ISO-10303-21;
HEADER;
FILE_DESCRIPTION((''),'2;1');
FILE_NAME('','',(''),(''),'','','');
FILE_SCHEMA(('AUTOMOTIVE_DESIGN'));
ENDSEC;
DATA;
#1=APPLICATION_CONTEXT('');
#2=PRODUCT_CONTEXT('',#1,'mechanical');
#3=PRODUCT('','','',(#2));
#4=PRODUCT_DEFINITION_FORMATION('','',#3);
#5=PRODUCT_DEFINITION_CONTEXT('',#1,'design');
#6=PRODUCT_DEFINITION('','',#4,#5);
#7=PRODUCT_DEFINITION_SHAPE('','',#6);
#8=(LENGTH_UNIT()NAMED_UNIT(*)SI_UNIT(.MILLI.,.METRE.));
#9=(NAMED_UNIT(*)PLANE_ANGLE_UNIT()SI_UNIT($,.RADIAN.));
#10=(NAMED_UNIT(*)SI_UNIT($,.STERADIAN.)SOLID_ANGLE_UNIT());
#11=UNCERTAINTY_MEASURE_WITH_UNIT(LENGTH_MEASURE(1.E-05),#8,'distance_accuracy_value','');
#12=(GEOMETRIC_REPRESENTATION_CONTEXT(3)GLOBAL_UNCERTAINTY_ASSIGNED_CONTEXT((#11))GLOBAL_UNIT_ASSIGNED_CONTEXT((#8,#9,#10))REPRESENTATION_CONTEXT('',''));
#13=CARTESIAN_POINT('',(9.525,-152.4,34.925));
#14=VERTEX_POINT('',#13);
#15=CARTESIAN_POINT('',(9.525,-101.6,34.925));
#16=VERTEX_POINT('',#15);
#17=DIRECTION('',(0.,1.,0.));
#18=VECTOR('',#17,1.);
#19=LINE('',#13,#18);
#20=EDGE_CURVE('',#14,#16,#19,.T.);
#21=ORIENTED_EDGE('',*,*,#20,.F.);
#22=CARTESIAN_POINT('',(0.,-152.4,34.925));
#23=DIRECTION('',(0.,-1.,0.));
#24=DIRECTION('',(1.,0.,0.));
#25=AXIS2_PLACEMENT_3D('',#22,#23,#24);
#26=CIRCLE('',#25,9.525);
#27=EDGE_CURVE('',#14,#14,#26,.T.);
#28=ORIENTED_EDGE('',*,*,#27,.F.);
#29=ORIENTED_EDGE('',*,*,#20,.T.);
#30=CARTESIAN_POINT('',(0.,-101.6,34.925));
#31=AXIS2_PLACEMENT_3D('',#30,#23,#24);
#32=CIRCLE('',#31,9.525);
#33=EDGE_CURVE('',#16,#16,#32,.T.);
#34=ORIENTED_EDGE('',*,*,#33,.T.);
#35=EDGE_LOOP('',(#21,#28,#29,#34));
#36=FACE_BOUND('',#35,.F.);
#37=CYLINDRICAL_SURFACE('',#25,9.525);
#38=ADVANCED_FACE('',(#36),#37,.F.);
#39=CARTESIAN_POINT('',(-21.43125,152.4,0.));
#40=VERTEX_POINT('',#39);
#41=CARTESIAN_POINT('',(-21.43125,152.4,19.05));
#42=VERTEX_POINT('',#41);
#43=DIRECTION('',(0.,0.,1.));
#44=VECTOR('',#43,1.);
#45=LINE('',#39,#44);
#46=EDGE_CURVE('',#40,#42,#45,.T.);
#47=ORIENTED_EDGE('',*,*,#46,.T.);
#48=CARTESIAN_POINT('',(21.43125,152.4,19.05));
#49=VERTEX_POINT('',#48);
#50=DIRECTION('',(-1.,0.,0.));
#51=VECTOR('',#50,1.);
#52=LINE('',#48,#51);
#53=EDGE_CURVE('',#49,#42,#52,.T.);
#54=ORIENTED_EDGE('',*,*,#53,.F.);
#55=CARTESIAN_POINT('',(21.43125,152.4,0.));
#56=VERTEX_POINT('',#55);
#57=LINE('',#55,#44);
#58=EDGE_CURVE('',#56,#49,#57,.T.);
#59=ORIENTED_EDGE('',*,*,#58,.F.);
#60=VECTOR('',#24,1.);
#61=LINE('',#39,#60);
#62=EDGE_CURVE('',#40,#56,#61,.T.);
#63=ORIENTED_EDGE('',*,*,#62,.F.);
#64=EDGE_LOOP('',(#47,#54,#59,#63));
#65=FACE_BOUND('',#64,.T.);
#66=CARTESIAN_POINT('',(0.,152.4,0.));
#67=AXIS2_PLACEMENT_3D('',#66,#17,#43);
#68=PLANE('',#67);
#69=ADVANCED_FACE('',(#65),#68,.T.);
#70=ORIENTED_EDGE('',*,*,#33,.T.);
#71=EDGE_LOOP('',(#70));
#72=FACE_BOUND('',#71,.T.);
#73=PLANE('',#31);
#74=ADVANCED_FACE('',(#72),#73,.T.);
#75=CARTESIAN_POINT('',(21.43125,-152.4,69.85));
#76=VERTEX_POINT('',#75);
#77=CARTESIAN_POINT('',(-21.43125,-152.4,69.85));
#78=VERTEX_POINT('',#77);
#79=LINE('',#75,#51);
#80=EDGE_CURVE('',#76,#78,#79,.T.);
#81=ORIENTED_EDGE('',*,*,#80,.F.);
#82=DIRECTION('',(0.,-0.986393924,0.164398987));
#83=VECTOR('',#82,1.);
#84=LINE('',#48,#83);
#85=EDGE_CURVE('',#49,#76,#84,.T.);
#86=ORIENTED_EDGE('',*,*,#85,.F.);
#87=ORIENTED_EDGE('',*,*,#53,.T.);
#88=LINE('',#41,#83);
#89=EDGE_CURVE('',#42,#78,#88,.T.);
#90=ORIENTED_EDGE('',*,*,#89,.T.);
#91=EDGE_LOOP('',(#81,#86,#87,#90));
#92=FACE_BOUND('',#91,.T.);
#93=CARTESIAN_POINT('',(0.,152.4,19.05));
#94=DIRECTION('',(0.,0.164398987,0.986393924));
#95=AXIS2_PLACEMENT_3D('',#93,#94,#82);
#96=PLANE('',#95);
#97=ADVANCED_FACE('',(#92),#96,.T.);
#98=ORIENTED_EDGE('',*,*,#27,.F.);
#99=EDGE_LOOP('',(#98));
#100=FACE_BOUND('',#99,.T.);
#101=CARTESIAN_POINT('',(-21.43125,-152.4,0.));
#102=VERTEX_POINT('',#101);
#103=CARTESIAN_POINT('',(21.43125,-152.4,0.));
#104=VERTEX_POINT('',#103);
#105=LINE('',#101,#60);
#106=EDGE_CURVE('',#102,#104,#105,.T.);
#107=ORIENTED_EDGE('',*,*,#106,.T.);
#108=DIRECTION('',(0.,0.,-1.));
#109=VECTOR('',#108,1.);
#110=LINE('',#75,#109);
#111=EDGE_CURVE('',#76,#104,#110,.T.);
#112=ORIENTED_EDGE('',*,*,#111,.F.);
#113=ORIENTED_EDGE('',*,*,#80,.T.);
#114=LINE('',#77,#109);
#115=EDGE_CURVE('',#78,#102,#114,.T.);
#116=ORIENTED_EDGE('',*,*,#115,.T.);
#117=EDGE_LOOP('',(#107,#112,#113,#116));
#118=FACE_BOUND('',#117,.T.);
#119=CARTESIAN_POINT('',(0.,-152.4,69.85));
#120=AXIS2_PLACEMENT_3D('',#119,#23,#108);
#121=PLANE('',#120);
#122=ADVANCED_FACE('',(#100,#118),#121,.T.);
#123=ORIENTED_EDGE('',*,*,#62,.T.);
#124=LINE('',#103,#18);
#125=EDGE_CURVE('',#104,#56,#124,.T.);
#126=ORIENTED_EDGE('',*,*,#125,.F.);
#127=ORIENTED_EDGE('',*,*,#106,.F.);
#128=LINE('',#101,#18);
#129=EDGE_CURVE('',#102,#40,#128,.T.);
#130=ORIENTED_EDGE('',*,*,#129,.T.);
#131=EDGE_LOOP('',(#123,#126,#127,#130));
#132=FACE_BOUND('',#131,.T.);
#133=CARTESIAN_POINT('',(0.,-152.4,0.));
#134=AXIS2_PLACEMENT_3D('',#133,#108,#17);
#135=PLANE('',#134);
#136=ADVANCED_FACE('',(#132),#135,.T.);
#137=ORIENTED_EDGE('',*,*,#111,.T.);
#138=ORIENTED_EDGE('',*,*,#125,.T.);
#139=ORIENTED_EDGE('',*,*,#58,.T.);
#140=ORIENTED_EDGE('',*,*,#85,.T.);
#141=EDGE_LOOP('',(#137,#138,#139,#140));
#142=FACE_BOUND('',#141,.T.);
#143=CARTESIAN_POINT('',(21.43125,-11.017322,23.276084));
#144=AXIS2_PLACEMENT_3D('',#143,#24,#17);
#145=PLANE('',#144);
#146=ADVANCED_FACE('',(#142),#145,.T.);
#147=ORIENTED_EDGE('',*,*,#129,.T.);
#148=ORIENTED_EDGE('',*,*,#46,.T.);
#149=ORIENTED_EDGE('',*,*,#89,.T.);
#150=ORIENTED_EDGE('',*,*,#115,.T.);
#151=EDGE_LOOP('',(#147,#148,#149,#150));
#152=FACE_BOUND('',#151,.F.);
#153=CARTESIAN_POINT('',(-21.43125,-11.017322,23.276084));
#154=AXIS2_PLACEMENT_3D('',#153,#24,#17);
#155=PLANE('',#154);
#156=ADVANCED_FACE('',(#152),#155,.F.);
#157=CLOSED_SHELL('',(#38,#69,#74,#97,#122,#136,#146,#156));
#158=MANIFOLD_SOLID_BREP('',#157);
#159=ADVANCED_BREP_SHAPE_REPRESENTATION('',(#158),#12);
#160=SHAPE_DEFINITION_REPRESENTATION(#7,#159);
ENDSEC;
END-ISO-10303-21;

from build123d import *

# Parameters (mm, degrees)
F1_DEPTH = 21.43125
F2_R     = 9.525
F3_DEPTH = 50.8


with BuildPart() as f1:
    # F0 (on Right) → F1 (new body, symmetric)
    with BuildSketch(Plane.YZ):
        Polygon((-152.4, 69.85), (-152.4, 0), (152.4, 0), (152.4, 19.05), align=None)
    extrude(amount=F1_DEPTH, both=True)

    # F2 (on face) → F3 (cut)
    with BuildSketch(Plane.XZ.offset(152.4)):
        with Locations((0, 34.925)):
            Circle(F2_R)
    extrude(amount=-F3_DEPTH, mode=Mode.SUBTRACT)


solid = f1.part
